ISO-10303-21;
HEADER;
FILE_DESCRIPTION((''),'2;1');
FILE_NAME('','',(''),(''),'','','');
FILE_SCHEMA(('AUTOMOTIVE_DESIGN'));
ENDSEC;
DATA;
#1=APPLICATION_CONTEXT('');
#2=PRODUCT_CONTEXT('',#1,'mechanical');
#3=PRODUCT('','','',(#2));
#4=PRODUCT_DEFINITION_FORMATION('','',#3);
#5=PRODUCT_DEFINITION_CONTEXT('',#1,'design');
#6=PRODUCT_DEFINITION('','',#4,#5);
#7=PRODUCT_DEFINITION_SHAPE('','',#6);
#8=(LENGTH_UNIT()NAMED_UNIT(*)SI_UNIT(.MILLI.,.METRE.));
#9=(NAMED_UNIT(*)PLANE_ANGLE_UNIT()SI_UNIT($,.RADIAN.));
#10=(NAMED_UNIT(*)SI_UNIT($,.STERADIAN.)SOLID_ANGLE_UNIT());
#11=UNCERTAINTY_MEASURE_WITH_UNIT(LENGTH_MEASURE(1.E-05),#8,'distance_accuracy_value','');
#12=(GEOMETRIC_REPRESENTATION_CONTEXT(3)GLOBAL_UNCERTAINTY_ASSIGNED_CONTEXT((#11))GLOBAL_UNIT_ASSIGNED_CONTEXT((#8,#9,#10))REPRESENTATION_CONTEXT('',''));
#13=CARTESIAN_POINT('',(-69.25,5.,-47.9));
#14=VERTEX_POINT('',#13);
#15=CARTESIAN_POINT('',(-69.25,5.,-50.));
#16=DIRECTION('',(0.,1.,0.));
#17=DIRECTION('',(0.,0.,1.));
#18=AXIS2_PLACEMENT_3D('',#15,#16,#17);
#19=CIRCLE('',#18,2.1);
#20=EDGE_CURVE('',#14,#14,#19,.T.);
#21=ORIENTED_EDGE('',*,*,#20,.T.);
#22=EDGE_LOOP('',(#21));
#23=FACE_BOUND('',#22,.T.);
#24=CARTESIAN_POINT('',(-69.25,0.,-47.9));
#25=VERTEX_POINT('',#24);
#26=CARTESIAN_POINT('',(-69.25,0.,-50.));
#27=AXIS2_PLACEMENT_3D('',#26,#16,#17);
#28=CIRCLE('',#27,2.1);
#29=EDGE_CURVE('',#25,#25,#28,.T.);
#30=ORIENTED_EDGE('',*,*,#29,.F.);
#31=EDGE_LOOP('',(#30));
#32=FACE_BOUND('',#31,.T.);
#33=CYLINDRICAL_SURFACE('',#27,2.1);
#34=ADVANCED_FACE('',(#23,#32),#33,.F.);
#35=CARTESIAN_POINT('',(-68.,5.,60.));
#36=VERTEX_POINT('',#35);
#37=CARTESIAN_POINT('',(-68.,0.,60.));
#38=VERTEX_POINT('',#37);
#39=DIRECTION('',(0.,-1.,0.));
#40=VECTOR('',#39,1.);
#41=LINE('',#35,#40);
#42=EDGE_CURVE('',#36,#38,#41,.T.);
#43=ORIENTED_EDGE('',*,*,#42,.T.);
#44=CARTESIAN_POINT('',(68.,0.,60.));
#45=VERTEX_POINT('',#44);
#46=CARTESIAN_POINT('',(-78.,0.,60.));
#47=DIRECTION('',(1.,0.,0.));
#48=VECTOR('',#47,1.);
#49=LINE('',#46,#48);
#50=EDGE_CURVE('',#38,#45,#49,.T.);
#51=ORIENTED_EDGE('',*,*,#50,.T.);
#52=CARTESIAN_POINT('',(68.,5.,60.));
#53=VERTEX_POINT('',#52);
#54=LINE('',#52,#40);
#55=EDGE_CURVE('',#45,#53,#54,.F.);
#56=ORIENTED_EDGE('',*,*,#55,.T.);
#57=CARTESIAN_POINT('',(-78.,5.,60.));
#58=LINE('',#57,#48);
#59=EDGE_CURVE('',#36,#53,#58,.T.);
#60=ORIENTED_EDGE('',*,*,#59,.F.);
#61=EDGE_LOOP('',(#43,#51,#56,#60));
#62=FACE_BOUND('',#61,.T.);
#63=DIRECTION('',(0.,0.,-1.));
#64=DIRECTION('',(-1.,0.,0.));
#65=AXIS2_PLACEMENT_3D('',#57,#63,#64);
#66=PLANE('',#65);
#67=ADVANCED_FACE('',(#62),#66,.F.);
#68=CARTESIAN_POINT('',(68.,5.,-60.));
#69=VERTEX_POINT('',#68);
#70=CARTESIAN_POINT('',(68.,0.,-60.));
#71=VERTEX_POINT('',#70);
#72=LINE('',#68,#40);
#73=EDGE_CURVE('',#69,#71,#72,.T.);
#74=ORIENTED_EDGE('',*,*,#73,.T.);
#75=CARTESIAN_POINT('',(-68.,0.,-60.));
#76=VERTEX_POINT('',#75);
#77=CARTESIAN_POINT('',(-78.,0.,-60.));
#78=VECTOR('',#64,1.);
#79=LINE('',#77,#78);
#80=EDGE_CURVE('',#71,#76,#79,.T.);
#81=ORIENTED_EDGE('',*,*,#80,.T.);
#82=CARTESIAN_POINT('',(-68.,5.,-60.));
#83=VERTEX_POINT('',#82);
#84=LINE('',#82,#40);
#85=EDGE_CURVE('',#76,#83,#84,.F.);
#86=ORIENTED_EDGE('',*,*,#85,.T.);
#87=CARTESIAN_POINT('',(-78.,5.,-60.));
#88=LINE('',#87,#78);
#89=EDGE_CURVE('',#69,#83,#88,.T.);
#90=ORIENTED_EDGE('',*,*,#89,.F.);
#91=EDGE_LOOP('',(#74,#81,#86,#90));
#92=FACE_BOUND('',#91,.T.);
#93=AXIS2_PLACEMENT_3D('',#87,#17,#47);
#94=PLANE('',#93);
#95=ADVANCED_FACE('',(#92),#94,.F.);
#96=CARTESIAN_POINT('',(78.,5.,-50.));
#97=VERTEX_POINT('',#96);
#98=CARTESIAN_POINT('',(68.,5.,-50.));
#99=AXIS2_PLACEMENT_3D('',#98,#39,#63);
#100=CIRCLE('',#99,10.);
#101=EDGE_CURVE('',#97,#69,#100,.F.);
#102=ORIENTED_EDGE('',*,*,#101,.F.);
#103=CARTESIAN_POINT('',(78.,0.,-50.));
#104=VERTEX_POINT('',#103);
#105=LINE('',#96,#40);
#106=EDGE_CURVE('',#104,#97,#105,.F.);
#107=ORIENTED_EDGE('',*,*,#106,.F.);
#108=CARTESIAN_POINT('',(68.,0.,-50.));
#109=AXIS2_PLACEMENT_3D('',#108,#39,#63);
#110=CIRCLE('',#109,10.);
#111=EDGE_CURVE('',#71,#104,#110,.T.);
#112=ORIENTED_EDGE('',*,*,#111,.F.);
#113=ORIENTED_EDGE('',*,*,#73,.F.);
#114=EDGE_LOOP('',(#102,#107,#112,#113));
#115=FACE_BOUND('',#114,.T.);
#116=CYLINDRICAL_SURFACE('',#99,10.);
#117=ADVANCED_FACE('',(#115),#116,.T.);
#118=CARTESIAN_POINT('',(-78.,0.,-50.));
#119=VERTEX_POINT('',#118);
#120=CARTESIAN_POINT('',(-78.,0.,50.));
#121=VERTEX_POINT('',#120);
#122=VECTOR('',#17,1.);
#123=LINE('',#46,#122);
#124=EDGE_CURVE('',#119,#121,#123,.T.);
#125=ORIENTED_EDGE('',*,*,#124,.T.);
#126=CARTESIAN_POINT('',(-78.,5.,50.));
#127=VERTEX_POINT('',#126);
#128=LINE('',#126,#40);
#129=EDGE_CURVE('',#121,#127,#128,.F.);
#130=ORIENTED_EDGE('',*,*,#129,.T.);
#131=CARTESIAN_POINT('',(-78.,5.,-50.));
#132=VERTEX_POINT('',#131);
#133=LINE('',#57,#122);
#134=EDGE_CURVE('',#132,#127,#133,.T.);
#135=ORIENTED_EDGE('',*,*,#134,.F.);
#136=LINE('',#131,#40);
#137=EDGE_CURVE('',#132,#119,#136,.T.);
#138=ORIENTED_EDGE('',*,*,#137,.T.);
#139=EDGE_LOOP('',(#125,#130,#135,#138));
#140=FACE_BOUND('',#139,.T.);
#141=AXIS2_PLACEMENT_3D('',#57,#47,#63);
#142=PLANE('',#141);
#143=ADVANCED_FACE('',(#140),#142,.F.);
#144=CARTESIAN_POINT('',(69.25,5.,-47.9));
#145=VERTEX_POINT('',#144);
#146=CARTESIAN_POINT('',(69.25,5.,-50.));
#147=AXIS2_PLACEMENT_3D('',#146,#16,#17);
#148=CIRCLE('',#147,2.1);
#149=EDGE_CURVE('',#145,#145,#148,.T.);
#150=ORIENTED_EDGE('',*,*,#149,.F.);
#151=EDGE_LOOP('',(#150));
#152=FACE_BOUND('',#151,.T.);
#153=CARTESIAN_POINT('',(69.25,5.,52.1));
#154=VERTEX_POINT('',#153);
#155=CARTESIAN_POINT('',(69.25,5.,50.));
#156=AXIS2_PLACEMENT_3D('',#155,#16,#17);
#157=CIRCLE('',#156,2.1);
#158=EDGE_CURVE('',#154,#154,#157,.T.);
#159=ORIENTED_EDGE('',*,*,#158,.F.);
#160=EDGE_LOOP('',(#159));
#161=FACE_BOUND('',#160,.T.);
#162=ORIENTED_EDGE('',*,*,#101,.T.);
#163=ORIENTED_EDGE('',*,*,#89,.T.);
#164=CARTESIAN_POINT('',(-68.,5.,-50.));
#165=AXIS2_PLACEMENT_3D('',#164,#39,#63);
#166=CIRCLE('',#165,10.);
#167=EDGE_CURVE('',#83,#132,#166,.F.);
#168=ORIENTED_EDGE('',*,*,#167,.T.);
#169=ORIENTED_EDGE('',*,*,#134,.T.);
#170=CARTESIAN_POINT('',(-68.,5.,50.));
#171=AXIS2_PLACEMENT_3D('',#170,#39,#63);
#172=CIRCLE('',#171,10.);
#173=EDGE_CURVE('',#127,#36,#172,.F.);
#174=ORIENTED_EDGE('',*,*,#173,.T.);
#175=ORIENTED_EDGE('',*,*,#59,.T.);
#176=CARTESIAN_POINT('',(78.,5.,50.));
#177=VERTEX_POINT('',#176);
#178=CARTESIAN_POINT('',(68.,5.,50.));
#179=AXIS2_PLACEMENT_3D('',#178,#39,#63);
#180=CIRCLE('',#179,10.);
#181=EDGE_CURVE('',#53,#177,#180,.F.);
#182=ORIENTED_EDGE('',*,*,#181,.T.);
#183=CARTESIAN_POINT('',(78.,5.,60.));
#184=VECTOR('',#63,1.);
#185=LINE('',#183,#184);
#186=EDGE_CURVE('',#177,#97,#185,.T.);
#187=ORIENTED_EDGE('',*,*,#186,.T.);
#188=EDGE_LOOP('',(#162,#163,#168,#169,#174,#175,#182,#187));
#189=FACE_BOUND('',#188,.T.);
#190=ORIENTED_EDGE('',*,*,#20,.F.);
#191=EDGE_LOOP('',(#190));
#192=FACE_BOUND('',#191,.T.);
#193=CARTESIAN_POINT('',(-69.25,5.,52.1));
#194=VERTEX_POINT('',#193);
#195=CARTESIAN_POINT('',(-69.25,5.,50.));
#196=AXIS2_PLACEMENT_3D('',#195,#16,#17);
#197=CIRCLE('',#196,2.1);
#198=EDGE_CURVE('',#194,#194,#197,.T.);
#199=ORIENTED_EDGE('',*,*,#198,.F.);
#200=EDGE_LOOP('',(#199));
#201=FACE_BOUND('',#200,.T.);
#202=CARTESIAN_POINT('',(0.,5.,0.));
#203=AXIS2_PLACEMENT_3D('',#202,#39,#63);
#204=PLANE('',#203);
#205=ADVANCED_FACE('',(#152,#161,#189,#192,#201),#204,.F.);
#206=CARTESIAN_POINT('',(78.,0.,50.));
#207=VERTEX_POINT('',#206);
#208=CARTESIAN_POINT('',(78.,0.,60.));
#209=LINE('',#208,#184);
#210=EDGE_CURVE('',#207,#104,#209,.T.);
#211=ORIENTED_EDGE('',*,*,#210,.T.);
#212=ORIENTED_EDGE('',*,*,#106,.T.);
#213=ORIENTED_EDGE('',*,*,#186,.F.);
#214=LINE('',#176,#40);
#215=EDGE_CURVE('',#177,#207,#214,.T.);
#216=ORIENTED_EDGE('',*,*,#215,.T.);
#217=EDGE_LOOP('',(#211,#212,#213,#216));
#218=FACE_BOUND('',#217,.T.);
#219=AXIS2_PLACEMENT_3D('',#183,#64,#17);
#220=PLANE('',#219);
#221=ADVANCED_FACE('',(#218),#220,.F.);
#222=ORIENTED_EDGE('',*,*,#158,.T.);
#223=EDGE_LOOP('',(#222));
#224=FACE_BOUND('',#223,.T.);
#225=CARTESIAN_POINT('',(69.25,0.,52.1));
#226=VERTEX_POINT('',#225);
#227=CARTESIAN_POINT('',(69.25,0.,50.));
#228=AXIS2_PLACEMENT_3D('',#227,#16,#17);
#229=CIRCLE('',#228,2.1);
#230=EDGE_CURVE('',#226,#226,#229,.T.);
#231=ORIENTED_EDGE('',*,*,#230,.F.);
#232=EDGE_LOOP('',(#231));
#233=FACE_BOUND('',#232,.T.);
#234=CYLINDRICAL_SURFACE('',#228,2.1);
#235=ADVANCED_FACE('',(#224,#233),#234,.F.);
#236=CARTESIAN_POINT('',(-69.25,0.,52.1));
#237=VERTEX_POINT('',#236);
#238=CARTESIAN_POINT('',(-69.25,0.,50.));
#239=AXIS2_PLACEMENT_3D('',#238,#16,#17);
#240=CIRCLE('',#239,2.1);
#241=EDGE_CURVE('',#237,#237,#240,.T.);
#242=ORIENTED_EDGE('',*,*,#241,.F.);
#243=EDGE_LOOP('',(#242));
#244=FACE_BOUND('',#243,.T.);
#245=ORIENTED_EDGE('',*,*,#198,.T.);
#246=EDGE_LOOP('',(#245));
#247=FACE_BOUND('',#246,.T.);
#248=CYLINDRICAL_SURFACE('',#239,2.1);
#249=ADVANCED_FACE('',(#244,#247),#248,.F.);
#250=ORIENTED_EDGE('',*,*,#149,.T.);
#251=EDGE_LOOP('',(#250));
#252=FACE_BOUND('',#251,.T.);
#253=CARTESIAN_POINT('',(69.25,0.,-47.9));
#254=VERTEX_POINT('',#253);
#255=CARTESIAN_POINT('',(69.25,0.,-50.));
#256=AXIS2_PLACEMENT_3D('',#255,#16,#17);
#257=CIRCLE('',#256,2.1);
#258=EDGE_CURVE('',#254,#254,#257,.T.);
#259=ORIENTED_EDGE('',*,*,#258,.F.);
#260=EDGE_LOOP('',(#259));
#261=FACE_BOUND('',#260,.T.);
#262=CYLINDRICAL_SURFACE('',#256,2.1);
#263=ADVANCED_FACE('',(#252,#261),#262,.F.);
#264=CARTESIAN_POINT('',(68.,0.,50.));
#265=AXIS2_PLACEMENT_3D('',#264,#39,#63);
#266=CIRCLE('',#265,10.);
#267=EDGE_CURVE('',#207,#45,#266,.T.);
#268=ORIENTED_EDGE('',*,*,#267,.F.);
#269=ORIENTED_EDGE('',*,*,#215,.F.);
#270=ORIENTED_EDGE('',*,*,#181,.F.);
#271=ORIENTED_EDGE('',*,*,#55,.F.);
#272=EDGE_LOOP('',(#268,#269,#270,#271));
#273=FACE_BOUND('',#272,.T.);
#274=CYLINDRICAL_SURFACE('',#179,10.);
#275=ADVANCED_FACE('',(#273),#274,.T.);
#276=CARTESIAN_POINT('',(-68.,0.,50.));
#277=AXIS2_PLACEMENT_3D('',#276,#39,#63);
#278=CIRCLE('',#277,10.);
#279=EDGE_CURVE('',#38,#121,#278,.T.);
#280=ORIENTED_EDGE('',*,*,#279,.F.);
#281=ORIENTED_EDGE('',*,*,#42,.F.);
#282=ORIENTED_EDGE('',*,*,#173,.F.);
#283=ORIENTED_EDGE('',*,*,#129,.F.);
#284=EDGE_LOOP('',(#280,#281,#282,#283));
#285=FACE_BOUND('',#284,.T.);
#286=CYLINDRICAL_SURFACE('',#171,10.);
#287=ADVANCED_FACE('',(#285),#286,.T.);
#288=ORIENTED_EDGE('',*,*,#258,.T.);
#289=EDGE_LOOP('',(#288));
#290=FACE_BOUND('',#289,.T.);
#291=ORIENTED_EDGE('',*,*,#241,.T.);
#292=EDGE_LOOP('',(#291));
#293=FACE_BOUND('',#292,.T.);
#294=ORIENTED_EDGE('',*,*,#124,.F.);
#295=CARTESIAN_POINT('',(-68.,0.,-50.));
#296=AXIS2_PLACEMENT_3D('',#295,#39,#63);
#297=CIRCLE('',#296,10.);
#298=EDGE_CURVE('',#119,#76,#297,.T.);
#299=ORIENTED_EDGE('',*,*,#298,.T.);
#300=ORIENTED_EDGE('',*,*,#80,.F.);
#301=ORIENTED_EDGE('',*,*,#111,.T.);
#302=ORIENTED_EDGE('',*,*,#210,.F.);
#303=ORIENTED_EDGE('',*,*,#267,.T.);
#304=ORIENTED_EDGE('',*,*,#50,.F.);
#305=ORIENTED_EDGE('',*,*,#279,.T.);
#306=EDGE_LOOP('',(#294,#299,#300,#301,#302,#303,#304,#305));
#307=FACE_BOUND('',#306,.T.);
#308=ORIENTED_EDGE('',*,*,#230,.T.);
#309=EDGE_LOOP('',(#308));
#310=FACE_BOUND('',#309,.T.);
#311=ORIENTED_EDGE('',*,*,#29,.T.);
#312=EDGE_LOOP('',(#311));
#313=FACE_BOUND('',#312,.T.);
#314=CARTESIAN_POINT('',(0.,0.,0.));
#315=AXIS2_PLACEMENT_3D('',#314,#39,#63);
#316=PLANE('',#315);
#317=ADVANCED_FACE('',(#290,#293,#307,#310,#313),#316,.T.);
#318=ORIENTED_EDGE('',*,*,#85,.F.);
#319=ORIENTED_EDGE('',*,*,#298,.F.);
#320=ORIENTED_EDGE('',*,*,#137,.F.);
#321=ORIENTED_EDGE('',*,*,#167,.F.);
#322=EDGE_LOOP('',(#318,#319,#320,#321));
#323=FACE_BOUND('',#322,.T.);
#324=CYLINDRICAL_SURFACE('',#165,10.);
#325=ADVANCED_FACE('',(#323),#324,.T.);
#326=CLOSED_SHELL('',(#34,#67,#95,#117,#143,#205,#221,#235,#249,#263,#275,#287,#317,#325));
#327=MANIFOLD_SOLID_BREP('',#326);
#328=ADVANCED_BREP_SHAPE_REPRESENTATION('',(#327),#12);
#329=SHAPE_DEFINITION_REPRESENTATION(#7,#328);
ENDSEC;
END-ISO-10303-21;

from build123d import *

# Parameters (mm, degrees)
SKETCH5_W           = 156
SKETCH5_H           = 120
BOSS_EXTRUDE3_DEPTH = 5
SKETCH6_R           = 2.1
CUT_EXTRUDE2_DEPTH  = 99.534258002
FILLET1_R           = 10


with BuildPart() as part:
    # Sketch5 → Boss-Extrude3 (new body)
    with BuildSketch(Plane(origin=(0, 0, 0), x_dir=(1, 0, 0), z_dir=(0, 1, 0))):
        Rectangle(SKETCH5_W, SKETCH5_H)
    extrude(amount=BOSS_EXTRUDE3_DEPTH)

    # Sketch6 → Cut-Extrude2 (cut, through all)
    with BuildSketch(Plane(origin=(0, 5, 0), x_dir=(1, 0, 0), z_dir=(0, 1, 0))):
        with Locations(Location((-69.25, 50, 0), (0, 0, 270))):
            Circle(SKETCH6_R)
        with Locations(Location((69.25, 50, 0), (0, 0, 270))):
            Circle(SKETCH6_R)
        with Locations(Location((-69.25, -50, 0), (0, 0, 270))):
            Circle(SKETCH6_R)
        with Locations(Location((69.25, -50, 0), (0, 0, 270))):
            Circle(SKETCH6_R)
    extrude(amount=-CUT_EXTRUDE2_DEPTH, mode=Mode.SUBTRACT)

    # Fillet1
    fillet1_edges = [part.edges().sort_by_distance(p)[0] for p in [
        (78, 2.5, 60),
        (-78, 2.5, 60),
        (-78, 2.5, -60),
        (78, 2.5, -60),
    ]]
    fillet(fillet1_edges, radius=FILLET1_R)


solid = part.part
